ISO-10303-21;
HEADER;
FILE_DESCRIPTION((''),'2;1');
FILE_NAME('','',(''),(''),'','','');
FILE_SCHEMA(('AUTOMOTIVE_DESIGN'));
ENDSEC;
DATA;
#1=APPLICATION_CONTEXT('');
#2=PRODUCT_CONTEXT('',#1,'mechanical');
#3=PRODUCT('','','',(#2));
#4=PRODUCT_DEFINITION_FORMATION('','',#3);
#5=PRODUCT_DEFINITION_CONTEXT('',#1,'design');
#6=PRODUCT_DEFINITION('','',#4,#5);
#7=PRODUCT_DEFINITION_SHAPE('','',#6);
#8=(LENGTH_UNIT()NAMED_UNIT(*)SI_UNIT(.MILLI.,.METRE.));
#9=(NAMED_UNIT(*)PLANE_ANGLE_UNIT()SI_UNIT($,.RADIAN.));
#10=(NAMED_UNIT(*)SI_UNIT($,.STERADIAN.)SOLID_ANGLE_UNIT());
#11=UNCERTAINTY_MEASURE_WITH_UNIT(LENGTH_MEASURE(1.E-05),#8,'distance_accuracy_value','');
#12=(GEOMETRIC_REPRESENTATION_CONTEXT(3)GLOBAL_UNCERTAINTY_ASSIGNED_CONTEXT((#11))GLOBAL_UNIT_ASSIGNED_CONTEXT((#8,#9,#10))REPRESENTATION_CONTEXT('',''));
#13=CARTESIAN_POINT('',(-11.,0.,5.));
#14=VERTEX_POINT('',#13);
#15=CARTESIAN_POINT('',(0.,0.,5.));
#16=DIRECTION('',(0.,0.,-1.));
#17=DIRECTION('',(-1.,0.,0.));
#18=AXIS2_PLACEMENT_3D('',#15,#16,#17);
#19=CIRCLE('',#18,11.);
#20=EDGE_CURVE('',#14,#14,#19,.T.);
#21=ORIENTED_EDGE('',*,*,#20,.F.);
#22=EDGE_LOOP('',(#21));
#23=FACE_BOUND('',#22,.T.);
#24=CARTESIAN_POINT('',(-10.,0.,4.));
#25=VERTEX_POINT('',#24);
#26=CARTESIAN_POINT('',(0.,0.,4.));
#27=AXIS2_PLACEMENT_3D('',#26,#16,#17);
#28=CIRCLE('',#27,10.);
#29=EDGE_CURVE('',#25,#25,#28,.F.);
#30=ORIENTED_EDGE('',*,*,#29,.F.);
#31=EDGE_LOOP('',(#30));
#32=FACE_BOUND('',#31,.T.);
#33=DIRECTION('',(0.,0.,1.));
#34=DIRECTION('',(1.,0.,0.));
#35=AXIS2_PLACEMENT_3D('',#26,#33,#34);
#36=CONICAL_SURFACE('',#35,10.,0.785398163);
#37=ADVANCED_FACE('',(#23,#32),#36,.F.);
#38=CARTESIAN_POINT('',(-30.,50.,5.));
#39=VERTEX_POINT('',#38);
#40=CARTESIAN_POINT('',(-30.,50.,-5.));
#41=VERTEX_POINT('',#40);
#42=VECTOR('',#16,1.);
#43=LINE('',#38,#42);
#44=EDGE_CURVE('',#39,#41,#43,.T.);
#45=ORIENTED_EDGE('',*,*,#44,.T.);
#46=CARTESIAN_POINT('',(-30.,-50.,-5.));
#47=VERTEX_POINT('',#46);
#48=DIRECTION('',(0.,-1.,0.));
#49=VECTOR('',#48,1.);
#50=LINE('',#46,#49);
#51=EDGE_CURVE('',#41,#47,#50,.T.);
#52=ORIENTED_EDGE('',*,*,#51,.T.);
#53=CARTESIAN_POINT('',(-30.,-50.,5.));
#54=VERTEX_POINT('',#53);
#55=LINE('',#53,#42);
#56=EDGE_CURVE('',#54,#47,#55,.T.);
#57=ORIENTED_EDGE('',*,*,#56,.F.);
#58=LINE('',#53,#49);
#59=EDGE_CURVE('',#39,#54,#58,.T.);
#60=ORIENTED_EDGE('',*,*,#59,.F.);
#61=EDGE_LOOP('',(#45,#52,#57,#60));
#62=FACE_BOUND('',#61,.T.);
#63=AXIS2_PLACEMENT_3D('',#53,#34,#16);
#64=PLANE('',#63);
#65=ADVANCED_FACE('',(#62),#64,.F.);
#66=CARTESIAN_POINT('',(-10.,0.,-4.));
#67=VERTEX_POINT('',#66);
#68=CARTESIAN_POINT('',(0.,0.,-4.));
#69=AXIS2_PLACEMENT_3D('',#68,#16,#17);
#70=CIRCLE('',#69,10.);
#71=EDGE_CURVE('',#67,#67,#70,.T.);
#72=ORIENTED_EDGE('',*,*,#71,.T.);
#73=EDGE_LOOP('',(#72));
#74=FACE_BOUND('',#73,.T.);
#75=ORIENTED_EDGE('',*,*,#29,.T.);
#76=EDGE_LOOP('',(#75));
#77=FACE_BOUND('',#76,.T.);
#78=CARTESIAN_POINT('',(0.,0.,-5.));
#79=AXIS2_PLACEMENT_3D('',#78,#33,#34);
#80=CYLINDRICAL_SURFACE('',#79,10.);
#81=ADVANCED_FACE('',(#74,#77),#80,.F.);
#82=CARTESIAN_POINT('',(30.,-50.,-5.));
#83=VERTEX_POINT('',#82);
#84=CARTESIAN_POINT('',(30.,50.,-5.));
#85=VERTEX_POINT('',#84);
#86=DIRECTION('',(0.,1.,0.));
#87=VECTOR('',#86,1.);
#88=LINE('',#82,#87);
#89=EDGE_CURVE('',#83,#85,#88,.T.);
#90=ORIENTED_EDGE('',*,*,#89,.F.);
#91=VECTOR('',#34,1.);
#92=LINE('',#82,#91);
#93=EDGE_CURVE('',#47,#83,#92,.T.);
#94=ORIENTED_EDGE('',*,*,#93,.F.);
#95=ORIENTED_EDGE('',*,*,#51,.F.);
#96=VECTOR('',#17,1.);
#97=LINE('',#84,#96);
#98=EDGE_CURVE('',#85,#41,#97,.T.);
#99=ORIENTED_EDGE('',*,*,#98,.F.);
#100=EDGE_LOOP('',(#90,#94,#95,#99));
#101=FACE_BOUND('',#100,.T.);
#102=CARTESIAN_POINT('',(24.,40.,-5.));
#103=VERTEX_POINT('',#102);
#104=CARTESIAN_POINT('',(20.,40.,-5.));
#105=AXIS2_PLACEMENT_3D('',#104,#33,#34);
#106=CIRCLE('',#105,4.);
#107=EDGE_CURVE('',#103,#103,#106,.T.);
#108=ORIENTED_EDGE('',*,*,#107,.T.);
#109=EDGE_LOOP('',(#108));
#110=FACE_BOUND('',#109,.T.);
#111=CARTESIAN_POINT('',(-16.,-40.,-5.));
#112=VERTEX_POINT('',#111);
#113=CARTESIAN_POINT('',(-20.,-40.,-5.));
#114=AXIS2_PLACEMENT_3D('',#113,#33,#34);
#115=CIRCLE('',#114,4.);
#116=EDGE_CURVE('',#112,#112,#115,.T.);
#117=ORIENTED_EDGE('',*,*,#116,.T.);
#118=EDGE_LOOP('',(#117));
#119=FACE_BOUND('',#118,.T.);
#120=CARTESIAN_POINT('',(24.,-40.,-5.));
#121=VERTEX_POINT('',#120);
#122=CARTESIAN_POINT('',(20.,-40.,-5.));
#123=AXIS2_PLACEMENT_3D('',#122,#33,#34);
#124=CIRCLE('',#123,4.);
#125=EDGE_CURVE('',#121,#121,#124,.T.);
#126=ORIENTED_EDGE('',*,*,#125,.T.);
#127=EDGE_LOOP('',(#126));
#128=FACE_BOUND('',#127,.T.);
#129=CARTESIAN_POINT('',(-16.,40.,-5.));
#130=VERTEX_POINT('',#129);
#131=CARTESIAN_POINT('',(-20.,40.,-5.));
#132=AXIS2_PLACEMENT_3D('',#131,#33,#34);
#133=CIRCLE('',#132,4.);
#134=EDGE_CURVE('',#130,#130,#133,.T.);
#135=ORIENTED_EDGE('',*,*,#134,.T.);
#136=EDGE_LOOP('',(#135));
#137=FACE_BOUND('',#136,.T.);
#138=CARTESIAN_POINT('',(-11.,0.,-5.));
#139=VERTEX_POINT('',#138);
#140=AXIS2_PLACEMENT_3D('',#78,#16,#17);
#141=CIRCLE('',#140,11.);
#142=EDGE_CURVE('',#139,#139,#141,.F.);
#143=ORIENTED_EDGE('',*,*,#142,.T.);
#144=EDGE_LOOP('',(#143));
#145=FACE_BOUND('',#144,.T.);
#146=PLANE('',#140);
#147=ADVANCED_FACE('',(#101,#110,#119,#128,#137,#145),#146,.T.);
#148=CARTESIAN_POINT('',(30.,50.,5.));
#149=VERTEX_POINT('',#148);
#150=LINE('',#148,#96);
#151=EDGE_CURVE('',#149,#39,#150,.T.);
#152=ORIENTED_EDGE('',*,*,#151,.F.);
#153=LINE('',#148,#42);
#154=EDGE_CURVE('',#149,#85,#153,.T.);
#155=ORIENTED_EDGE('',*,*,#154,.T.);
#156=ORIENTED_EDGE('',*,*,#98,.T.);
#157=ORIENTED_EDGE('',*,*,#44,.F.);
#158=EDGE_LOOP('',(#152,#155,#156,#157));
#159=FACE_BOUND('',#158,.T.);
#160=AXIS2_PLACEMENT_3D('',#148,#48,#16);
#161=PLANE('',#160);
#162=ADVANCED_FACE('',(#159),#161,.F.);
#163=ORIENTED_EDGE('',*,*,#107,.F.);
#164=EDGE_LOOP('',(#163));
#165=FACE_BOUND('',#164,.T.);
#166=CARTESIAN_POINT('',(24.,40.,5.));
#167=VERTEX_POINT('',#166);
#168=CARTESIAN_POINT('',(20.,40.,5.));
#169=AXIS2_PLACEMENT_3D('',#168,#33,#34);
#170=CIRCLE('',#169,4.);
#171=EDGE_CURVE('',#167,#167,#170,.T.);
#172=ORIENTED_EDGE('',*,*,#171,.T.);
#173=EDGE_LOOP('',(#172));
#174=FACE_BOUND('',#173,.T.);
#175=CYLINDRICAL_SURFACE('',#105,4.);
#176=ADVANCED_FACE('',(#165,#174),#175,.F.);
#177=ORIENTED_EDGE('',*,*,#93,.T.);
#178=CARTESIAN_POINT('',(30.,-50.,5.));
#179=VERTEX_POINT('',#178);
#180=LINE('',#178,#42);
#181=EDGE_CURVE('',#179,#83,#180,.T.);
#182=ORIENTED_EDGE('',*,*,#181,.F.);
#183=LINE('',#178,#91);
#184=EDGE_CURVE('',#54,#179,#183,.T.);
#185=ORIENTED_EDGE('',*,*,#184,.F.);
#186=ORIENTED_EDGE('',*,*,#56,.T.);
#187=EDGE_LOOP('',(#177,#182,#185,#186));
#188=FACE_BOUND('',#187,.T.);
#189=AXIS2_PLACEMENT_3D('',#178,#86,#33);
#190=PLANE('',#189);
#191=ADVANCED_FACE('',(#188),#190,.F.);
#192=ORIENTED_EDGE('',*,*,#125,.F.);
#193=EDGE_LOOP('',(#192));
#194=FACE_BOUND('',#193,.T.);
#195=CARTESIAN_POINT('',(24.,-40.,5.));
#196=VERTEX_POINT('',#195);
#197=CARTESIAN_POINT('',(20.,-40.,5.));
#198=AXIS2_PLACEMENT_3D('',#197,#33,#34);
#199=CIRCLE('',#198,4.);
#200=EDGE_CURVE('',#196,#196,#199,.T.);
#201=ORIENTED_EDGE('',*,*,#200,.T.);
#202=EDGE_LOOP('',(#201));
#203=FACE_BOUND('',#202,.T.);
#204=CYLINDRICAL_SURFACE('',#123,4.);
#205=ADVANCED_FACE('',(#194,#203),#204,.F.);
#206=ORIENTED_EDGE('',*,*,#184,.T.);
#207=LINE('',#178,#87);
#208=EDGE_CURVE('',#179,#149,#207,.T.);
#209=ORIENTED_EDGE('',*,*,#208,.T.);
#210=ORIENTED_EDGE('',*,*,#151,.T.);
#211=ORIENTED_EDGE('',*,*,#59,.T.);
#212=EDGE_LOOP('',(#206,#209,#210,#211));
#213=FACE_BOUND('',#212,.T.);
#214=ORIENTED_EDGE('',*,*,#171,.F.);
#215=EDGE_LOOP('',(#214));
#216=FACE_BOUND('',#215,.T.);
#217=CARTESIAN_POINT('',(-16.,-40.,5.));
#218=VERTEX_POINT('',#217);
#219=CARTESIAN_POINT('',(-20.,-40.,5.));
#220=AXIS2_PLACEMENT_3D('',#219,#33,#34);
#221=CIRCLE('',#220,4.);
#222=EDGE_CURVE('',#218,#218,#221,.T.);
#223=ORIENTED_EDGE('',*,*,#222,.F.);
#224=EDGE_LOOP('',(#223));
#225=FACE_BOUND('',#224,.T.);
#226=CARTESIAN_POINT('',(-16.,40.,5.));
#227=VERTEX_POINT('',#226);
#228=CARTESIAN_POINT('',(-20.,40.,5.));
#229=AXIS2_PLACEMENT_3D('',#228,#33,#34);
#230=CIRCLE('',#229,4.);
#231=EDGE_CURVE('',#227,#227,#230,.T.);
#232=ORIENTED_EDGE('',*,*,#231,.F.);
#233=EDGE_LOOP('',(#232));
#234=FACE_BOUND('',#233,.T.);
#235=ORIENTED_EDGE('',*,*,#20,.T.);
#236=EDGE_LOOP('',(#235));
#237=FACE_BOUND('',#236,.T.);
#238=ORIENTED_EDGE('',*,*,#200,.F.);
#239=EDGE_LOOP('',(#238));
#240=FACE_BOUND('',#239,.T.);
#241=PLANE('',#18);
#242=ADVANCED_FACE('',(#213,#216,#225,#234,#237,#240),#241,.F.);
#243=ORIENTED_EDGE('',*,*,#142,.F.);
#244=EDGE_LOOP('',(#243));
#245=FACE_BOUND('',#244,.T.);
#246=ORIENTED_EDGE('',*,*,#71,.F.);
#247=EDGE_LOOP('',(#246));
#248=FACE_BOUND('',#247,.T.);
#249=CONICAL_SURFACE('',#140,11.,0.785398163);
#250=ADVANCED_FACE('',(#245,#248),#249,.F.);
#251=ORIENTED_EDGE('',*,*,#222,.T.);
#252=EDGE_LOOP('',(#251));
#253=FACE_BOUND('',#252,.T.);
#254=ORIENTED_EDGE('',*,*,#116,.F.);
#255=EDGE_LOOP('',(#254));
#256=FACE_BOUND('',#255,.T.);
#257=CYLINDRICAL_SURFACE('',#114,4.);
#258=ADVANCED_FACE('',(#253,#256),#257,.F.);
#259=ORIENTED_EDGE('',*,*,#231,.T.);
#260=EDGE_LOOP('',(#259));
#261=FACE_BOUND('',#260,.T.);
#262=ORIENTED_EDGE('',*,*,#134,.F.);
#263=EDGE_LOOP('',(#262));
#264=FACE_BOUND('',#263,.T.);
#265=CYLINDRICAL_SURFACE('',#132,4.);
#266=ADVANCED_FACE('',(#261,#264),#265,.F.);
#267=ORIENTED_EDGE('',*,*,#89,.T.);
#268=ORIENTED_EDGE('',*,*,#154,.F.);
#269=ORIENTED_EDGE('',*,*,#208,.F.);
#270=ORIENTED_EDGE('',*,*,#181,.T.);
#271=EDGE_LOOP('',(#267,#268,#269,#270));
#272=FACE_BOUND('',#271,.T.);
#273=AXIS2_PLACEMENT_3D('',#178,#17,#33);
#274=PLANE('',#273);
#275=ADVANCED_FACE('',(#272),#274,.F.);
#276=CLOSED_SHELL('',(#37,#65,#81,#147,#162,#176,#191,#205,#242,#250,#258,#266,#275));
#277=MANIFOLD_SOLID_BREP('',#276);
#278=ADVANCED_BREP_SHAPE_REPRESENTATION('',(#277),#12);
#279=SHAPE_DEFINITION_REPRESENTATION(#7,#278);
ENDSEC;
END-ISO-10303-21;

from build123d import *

# Parameters (mm, degrees)
SKETCH1_W           = 100
SKETCH1_H           = 60
BOSS_EXTRUDE1_DEPTH = 5
CUT_EXTRUDE2_START  = 5
SKETCH2_R           = 4
CUT_EXTRUDE2_DEPTH  = 64.523499554
CUT_EXTRUDE4_START  = 5
SKETCH3_R           = 10
CUT_EXTRUDE4_DEPTH  = 64.523499554
CHAMFER1_SIZE       = 1


with BuildPart() as part:
    # Sketch1 → Boss-Extrude1 (new, symmetric)
    with BuildSketch(Plane(origin=(0, 0, 0), x_dir=(0, 1, 0), z_dir=(0, 0, 1))):
        Rectangle(SKETCH1_W, SKETCH1_H)
    extrude(amount=BOSS_EXTRUDE1_DEPTH, both=True)

    # Sketch2 → Cut-Extrude2 (cut, through all)
    with BuildSketch(Plane(origin=(0, 0, 0), x_dir=(0, 1, 0), z_dir=(0, 0, 1)).offset(CUT_EXTRUDE2_START)):
        with Locations(Location((-40, -20, 0), (0, 0, 270))):
            Circle(SKETCH2_R)
        with Locations(Location((40, -20, 0), (0, 0, 270))):
            Circle(SKETCH2_R)
        with Locations(Location((-40, 20, 0), (0, 0, 270))):
            Circle(SKETCH2_R)
        with Locations(Location((40, 20, 0), (0, 0, 270))):
            Circle(SKETCH2_R)
    extrude(amount=-CUT_EXTRUDE2_DEPTH, mode=Mode.SUBTRACT)

    # Sketch3 → Cut-Extrude4 (cut, through all)
    with BuildSketch(Plane(origin=(0, 0, 0), x_dir=(0, 1, 0), z_dir=(0, 0, 1)).offset(CUT_EXTRUDE4_START)):
        with Locations(Location((0, 0, 0), (0, 0, 270))):
            Circle(SKETCH3_R)
    extrude(amount=-CUT_EXTRUDE4_DEPTH, mode=Mode.SUBTRACT)

    # Chamfer1
    chamfer1_edges = [part.edges().sort_by_distance(p)[0] for p in [
        (-10, 0, -5),
        (-10, 0, 5),
    ]]
    chamfer(chamfer1_edges, length=CHAMFER1_SIZE)


solid = part.part
